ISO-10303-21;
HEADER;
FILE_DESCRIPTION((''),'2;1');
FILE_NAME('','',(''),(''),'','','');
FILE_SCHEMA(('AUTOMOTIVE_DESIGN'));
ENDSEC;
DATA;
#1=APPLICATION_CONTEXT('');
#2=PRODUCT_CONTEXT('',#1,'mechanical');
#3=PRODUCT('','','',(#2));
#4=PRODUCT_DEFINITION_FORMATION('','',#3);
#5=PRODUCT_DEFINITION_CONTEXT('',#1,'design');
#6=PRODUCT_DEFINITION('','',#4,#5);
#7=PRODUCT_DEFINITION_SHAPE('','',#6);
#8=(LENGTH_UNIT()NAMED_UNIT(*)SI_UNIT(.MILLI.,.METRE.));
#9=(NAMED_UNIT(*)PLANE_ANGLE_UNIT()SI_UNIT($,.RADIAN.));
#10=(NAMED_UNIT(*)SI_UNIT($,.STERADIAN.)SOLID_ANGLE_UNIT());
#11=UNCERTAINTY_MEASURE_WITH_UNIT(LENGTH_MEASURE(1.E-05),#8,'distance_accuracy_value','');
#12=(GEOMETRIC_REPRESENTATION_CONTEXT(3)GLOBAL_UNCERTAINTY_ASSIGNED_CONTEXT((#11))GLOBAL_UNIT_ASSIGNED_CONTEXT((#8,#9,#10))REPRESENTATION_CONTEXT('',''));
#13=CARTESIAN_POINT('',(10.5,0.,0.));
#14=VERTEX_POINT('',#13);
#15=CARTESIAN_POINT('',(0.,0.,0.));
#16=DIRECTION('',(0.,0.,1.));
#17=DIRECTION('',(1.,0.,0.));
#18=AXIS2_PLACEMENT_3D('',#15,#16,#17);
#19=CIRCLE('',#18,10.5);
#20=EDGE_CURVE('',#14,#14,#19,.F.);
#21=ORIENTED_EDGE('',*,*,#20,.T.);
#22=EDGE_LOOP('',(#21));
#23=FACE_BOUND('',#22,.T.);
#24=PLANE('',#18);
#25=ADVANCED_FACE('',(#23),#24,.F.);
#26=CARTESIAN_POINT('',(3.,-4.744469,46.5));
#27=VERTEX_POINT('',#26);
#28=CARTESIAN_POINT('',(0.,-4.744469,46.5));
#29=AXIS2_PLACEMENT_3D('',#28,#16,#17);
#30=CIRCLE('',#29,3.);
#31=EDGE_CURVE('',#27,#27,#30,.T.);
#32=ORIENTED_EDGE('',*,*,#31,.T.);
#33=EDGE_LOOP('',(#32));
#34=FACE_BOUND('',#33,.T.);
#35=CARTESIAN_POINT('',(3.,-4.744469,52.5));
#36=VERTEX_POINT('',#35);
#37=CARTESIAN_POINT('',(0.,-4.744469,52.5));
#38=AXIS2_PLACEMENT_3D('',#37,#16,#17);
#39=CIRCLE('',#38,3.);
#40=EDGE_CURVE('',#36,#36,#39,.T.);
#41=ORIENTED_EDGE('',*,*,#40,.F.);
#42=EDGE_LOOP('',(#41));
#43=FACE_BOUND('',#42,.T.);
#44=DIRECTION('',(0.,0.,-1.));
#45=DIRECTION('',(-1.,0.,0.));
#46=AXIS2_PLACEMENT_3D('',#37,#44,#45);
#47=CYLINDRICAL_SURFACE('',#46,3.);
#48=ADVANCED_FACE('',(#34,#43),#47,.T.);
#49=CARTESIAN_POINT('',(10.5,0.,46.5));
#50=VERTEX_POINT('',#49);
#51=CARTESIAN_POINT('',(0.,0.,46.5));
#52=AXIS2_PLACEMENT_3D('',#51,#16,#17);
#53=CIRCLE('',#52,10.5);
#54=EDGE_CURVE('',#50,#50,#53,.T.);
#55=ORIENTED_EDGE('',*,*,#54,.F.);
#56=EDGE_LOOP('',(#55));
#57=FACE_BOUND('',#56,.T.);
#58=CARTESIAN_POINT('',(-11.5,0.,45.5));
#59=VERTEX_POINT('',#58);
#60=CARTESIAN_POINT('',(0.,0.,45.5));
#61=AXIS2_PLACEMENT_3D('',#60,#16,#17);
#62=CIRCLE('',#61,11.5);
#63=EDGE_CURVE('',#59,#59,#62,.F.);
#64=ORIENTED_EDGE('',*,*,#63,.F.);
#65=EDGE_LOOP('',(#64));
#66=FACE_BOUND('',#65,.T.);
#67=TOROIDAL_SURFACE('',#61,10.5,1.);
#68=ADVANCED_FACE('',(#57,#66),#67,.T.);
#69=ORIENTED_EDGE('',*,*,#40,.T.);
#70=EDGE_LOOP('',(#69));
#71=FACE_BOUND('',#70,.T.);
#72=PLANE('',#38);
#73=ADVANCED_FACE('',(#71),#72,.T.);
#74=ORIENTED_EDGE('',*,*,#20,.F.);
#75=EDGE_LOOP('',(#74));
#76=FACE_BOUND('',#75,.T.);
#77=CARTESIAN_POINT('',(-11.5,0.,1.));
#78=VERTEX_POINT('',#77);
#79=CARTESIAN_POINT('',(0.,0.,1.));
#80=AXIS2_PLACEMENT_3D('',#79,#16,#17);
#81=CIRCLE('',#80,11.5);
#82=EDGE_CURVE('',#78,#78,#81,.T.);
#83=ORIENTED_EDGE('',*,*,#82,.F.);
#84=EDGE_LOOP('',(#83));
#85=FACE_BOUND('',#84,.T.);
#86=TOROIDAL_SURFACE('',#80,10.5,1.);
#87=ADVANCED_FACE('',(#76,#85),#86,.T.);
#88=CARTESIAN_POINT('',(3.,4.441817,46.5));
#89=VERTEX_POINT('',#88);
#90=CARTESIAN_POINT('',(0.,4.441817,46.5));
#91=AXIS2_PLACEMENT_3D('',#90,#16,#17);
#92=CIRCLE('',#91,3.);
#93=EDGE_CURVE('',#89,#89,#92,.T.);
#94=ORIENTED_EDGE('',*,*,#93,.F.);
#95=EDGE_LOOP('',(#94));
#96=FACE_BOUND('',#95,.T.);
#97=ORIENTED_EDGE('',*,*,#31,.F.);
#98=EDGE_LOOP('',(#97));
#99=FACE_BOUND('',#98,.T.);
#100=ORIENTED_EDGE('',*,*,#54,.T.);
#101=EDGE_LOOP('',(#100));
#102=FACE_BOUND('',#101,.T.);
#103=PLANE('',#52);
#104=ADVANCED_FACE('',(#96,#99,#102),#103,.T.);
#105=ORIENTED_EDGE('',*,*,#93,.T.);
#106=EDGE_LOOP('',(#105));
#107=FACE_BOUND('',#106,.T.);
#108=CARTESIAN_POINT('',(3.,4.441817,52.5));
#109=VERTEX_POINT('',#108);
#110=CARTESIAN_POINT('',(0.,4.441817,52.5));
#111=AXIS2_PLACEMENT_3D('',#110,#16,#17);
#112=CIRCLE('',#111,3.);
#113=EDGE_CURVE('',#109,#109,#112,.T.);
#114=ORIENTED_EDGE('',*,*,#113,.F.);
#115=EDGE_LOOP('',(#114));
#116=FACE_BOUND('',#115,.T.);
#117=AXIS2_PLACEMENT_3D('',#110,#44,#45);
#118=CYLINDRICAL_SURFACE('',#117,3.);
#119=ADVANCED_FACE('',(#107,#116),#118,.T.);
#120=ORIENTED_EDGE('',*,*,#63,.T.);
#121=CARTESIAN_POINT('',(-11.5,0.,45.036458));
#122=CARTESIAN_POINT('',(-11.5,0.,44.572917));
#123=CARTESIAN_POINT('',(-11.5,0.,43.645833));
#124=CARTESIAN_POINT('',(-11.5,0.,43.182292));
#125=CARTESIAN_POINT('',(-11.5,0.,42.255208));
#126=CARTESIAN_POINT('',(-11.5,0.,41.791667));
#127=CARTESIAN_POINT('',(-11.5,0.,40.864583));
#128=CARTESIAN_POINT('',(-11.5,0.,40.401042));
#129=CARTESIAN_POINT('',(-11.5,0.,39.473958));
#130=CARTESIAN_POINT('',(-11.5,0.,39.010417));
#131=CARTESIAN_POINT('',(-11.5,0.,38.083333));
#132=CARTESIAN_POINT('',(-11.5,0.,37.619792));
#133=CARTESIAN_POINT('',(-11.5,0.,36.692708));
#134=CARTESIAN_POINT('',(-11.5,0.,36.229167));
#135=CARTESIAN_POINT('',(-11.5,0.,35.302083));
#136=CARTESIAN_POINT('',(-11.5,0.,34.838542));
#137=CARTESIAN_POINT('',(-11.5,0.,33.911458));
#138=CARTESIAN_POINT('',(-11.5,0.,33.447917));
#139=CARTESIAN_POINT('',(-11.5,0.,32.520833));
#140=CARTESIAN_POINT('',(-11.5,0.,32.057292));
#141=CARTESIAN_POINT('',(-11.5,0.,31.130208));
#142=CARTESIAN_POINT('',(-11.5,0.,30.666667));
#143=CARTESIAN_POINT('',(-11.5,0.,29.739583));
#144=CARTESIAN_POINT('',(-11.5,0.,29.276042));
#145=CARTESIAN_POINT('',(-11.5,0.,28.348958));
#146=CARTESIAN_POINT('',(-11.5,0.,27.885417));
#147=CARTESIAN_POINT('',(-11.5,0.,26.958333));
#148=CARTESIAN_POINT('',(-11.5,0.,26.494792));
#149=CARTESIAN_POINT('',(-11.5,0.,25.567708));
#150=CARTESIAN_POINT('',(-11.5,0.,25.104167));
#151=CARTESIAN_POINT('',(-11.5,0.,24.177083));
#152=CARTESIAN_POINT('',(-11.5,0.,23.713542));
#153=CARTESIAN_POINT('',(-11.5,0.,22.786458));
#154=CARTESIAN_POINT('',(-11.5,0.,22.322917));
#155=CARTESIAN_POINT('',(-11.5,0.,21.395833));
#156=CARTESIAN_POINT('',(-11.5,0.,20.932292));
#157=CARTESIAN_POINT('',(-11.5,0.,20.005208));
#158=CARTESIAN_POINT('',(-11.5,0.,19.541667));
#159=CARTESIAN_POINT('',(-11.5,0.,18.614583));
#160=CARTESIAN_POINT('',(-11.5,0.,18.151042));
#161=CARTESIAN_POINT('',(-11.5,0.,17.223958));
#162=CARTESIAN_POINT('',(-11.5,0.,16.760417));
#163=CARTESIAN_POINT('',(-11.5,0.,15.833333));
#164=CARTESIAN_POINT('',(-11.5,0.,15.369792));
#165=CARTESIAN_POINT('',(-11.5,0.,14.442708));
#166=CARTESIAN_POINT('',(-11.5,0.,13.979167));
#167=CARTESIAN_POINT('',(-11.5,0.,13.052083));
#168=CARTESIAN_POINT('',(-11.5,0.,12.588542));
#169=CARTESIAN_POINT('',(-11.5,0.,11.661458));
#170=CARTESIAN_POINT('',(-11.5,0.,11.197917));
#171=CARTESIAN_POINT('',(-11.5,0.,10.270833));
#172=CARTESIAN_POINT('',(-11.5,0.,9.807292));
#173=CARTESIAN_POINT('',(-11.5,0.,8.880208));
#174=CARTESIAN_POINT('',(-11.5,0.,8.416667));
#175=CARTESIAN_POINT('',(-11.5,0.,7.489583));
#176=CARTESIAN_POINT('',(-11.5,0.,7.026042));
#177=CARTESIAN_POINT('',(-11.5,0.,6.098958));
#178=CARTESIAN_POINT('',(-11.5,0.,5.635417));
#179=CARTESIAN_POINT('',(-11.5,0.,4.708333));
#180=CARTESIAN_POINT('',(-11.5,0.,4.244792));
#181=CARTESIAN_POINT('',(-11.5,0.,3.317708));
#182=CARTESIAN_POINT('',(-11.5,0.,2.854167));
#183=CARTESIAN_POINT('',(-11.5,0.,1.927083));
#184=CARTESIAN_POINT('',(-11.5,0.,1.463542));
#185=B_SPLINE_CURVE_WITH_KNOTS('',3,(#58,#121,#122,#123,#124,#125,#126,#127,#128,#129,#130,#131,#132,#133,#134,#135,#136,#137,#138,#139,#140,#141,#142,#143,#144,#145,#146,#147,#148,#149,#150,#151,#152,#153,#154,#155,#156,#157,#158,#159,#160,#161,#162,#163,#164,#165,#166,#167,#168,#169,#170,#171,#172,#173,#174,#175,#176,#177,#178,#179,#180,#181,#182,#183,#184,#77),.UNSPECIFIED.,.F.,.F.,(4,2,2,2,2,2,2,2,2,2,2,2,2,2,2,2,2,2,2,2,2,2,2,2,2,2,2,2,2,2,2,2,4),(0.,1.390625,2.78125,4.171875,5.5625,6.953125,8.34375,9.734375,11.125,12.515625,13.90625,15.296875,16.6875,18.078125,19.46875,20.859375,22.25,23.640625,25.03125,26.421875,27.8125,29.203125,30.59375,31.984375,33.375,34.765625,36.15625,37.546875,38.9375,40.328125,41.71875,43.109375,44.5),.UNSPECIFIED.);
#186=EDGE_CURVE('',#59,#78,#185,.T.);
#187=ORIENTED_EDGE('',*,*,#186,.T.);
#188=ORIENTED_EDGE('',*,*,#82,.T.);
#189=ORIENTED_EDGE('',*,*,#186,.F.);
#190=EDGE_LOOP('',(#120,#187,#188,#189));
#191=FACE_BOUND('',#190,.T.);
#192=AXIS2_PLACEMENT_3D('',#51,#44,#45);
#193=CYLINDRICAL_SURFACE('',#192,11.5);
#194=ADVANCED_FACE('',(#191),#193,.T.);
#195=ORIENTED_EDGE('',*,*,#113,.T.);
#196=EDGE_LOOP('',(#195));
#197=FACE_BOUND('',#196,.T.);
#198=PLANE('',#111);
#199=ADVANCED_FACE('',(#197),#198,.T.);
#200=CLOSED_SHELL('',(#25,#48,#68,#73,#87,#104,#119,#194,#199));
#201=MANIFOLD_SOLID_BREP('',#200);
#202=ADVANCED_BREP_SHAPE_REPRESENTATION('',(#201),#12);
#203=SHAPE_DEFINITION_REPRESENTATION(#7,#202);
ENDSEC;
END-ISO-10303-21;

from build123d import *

# Parameters (mm, degrees)
SKETCH1_R           = 11.5
BOSS_EXTRUDE1_DEPTH = 46.5
FILLET1_R           = 1
SKETCH2_R           = 3
BOSS_EXTRUDE2_DEPTH = 6


with BuildPart() as part:
    # Sketch1 → Boss-Extrude1 (new body)
    with BuildSketch(Plane.XY):
        with Locations(Location((0, 0, 0), (0, 0, 180))):
            Circle(SKETCH1_R)
    extrude(amount=BOSS_EXTRUDE1_DEPTH)

    # Fillet1
    fillet1_edges = [part.edges().sort_by_distance(p)[0] for p in [
        (11.5, 0, 0),
        (11.5, 0, 46.5),
    ]]
    fillet(fillet1_edges, radius=FILLET1_R)

    # Sketch2 → Boss-Extrude2 (add)
    with BuildSketch(Plane.XY.offset(46.5)):
        with Locations((0, -4.744469282)):
            Circle(SKETCH2_R)
        with Locations((0, 4.441817119)):
            Circle(SKETCH2_R)
    extrude(amount=BOSS_EXTRUDE2_DEPTH)


solid = part.part
